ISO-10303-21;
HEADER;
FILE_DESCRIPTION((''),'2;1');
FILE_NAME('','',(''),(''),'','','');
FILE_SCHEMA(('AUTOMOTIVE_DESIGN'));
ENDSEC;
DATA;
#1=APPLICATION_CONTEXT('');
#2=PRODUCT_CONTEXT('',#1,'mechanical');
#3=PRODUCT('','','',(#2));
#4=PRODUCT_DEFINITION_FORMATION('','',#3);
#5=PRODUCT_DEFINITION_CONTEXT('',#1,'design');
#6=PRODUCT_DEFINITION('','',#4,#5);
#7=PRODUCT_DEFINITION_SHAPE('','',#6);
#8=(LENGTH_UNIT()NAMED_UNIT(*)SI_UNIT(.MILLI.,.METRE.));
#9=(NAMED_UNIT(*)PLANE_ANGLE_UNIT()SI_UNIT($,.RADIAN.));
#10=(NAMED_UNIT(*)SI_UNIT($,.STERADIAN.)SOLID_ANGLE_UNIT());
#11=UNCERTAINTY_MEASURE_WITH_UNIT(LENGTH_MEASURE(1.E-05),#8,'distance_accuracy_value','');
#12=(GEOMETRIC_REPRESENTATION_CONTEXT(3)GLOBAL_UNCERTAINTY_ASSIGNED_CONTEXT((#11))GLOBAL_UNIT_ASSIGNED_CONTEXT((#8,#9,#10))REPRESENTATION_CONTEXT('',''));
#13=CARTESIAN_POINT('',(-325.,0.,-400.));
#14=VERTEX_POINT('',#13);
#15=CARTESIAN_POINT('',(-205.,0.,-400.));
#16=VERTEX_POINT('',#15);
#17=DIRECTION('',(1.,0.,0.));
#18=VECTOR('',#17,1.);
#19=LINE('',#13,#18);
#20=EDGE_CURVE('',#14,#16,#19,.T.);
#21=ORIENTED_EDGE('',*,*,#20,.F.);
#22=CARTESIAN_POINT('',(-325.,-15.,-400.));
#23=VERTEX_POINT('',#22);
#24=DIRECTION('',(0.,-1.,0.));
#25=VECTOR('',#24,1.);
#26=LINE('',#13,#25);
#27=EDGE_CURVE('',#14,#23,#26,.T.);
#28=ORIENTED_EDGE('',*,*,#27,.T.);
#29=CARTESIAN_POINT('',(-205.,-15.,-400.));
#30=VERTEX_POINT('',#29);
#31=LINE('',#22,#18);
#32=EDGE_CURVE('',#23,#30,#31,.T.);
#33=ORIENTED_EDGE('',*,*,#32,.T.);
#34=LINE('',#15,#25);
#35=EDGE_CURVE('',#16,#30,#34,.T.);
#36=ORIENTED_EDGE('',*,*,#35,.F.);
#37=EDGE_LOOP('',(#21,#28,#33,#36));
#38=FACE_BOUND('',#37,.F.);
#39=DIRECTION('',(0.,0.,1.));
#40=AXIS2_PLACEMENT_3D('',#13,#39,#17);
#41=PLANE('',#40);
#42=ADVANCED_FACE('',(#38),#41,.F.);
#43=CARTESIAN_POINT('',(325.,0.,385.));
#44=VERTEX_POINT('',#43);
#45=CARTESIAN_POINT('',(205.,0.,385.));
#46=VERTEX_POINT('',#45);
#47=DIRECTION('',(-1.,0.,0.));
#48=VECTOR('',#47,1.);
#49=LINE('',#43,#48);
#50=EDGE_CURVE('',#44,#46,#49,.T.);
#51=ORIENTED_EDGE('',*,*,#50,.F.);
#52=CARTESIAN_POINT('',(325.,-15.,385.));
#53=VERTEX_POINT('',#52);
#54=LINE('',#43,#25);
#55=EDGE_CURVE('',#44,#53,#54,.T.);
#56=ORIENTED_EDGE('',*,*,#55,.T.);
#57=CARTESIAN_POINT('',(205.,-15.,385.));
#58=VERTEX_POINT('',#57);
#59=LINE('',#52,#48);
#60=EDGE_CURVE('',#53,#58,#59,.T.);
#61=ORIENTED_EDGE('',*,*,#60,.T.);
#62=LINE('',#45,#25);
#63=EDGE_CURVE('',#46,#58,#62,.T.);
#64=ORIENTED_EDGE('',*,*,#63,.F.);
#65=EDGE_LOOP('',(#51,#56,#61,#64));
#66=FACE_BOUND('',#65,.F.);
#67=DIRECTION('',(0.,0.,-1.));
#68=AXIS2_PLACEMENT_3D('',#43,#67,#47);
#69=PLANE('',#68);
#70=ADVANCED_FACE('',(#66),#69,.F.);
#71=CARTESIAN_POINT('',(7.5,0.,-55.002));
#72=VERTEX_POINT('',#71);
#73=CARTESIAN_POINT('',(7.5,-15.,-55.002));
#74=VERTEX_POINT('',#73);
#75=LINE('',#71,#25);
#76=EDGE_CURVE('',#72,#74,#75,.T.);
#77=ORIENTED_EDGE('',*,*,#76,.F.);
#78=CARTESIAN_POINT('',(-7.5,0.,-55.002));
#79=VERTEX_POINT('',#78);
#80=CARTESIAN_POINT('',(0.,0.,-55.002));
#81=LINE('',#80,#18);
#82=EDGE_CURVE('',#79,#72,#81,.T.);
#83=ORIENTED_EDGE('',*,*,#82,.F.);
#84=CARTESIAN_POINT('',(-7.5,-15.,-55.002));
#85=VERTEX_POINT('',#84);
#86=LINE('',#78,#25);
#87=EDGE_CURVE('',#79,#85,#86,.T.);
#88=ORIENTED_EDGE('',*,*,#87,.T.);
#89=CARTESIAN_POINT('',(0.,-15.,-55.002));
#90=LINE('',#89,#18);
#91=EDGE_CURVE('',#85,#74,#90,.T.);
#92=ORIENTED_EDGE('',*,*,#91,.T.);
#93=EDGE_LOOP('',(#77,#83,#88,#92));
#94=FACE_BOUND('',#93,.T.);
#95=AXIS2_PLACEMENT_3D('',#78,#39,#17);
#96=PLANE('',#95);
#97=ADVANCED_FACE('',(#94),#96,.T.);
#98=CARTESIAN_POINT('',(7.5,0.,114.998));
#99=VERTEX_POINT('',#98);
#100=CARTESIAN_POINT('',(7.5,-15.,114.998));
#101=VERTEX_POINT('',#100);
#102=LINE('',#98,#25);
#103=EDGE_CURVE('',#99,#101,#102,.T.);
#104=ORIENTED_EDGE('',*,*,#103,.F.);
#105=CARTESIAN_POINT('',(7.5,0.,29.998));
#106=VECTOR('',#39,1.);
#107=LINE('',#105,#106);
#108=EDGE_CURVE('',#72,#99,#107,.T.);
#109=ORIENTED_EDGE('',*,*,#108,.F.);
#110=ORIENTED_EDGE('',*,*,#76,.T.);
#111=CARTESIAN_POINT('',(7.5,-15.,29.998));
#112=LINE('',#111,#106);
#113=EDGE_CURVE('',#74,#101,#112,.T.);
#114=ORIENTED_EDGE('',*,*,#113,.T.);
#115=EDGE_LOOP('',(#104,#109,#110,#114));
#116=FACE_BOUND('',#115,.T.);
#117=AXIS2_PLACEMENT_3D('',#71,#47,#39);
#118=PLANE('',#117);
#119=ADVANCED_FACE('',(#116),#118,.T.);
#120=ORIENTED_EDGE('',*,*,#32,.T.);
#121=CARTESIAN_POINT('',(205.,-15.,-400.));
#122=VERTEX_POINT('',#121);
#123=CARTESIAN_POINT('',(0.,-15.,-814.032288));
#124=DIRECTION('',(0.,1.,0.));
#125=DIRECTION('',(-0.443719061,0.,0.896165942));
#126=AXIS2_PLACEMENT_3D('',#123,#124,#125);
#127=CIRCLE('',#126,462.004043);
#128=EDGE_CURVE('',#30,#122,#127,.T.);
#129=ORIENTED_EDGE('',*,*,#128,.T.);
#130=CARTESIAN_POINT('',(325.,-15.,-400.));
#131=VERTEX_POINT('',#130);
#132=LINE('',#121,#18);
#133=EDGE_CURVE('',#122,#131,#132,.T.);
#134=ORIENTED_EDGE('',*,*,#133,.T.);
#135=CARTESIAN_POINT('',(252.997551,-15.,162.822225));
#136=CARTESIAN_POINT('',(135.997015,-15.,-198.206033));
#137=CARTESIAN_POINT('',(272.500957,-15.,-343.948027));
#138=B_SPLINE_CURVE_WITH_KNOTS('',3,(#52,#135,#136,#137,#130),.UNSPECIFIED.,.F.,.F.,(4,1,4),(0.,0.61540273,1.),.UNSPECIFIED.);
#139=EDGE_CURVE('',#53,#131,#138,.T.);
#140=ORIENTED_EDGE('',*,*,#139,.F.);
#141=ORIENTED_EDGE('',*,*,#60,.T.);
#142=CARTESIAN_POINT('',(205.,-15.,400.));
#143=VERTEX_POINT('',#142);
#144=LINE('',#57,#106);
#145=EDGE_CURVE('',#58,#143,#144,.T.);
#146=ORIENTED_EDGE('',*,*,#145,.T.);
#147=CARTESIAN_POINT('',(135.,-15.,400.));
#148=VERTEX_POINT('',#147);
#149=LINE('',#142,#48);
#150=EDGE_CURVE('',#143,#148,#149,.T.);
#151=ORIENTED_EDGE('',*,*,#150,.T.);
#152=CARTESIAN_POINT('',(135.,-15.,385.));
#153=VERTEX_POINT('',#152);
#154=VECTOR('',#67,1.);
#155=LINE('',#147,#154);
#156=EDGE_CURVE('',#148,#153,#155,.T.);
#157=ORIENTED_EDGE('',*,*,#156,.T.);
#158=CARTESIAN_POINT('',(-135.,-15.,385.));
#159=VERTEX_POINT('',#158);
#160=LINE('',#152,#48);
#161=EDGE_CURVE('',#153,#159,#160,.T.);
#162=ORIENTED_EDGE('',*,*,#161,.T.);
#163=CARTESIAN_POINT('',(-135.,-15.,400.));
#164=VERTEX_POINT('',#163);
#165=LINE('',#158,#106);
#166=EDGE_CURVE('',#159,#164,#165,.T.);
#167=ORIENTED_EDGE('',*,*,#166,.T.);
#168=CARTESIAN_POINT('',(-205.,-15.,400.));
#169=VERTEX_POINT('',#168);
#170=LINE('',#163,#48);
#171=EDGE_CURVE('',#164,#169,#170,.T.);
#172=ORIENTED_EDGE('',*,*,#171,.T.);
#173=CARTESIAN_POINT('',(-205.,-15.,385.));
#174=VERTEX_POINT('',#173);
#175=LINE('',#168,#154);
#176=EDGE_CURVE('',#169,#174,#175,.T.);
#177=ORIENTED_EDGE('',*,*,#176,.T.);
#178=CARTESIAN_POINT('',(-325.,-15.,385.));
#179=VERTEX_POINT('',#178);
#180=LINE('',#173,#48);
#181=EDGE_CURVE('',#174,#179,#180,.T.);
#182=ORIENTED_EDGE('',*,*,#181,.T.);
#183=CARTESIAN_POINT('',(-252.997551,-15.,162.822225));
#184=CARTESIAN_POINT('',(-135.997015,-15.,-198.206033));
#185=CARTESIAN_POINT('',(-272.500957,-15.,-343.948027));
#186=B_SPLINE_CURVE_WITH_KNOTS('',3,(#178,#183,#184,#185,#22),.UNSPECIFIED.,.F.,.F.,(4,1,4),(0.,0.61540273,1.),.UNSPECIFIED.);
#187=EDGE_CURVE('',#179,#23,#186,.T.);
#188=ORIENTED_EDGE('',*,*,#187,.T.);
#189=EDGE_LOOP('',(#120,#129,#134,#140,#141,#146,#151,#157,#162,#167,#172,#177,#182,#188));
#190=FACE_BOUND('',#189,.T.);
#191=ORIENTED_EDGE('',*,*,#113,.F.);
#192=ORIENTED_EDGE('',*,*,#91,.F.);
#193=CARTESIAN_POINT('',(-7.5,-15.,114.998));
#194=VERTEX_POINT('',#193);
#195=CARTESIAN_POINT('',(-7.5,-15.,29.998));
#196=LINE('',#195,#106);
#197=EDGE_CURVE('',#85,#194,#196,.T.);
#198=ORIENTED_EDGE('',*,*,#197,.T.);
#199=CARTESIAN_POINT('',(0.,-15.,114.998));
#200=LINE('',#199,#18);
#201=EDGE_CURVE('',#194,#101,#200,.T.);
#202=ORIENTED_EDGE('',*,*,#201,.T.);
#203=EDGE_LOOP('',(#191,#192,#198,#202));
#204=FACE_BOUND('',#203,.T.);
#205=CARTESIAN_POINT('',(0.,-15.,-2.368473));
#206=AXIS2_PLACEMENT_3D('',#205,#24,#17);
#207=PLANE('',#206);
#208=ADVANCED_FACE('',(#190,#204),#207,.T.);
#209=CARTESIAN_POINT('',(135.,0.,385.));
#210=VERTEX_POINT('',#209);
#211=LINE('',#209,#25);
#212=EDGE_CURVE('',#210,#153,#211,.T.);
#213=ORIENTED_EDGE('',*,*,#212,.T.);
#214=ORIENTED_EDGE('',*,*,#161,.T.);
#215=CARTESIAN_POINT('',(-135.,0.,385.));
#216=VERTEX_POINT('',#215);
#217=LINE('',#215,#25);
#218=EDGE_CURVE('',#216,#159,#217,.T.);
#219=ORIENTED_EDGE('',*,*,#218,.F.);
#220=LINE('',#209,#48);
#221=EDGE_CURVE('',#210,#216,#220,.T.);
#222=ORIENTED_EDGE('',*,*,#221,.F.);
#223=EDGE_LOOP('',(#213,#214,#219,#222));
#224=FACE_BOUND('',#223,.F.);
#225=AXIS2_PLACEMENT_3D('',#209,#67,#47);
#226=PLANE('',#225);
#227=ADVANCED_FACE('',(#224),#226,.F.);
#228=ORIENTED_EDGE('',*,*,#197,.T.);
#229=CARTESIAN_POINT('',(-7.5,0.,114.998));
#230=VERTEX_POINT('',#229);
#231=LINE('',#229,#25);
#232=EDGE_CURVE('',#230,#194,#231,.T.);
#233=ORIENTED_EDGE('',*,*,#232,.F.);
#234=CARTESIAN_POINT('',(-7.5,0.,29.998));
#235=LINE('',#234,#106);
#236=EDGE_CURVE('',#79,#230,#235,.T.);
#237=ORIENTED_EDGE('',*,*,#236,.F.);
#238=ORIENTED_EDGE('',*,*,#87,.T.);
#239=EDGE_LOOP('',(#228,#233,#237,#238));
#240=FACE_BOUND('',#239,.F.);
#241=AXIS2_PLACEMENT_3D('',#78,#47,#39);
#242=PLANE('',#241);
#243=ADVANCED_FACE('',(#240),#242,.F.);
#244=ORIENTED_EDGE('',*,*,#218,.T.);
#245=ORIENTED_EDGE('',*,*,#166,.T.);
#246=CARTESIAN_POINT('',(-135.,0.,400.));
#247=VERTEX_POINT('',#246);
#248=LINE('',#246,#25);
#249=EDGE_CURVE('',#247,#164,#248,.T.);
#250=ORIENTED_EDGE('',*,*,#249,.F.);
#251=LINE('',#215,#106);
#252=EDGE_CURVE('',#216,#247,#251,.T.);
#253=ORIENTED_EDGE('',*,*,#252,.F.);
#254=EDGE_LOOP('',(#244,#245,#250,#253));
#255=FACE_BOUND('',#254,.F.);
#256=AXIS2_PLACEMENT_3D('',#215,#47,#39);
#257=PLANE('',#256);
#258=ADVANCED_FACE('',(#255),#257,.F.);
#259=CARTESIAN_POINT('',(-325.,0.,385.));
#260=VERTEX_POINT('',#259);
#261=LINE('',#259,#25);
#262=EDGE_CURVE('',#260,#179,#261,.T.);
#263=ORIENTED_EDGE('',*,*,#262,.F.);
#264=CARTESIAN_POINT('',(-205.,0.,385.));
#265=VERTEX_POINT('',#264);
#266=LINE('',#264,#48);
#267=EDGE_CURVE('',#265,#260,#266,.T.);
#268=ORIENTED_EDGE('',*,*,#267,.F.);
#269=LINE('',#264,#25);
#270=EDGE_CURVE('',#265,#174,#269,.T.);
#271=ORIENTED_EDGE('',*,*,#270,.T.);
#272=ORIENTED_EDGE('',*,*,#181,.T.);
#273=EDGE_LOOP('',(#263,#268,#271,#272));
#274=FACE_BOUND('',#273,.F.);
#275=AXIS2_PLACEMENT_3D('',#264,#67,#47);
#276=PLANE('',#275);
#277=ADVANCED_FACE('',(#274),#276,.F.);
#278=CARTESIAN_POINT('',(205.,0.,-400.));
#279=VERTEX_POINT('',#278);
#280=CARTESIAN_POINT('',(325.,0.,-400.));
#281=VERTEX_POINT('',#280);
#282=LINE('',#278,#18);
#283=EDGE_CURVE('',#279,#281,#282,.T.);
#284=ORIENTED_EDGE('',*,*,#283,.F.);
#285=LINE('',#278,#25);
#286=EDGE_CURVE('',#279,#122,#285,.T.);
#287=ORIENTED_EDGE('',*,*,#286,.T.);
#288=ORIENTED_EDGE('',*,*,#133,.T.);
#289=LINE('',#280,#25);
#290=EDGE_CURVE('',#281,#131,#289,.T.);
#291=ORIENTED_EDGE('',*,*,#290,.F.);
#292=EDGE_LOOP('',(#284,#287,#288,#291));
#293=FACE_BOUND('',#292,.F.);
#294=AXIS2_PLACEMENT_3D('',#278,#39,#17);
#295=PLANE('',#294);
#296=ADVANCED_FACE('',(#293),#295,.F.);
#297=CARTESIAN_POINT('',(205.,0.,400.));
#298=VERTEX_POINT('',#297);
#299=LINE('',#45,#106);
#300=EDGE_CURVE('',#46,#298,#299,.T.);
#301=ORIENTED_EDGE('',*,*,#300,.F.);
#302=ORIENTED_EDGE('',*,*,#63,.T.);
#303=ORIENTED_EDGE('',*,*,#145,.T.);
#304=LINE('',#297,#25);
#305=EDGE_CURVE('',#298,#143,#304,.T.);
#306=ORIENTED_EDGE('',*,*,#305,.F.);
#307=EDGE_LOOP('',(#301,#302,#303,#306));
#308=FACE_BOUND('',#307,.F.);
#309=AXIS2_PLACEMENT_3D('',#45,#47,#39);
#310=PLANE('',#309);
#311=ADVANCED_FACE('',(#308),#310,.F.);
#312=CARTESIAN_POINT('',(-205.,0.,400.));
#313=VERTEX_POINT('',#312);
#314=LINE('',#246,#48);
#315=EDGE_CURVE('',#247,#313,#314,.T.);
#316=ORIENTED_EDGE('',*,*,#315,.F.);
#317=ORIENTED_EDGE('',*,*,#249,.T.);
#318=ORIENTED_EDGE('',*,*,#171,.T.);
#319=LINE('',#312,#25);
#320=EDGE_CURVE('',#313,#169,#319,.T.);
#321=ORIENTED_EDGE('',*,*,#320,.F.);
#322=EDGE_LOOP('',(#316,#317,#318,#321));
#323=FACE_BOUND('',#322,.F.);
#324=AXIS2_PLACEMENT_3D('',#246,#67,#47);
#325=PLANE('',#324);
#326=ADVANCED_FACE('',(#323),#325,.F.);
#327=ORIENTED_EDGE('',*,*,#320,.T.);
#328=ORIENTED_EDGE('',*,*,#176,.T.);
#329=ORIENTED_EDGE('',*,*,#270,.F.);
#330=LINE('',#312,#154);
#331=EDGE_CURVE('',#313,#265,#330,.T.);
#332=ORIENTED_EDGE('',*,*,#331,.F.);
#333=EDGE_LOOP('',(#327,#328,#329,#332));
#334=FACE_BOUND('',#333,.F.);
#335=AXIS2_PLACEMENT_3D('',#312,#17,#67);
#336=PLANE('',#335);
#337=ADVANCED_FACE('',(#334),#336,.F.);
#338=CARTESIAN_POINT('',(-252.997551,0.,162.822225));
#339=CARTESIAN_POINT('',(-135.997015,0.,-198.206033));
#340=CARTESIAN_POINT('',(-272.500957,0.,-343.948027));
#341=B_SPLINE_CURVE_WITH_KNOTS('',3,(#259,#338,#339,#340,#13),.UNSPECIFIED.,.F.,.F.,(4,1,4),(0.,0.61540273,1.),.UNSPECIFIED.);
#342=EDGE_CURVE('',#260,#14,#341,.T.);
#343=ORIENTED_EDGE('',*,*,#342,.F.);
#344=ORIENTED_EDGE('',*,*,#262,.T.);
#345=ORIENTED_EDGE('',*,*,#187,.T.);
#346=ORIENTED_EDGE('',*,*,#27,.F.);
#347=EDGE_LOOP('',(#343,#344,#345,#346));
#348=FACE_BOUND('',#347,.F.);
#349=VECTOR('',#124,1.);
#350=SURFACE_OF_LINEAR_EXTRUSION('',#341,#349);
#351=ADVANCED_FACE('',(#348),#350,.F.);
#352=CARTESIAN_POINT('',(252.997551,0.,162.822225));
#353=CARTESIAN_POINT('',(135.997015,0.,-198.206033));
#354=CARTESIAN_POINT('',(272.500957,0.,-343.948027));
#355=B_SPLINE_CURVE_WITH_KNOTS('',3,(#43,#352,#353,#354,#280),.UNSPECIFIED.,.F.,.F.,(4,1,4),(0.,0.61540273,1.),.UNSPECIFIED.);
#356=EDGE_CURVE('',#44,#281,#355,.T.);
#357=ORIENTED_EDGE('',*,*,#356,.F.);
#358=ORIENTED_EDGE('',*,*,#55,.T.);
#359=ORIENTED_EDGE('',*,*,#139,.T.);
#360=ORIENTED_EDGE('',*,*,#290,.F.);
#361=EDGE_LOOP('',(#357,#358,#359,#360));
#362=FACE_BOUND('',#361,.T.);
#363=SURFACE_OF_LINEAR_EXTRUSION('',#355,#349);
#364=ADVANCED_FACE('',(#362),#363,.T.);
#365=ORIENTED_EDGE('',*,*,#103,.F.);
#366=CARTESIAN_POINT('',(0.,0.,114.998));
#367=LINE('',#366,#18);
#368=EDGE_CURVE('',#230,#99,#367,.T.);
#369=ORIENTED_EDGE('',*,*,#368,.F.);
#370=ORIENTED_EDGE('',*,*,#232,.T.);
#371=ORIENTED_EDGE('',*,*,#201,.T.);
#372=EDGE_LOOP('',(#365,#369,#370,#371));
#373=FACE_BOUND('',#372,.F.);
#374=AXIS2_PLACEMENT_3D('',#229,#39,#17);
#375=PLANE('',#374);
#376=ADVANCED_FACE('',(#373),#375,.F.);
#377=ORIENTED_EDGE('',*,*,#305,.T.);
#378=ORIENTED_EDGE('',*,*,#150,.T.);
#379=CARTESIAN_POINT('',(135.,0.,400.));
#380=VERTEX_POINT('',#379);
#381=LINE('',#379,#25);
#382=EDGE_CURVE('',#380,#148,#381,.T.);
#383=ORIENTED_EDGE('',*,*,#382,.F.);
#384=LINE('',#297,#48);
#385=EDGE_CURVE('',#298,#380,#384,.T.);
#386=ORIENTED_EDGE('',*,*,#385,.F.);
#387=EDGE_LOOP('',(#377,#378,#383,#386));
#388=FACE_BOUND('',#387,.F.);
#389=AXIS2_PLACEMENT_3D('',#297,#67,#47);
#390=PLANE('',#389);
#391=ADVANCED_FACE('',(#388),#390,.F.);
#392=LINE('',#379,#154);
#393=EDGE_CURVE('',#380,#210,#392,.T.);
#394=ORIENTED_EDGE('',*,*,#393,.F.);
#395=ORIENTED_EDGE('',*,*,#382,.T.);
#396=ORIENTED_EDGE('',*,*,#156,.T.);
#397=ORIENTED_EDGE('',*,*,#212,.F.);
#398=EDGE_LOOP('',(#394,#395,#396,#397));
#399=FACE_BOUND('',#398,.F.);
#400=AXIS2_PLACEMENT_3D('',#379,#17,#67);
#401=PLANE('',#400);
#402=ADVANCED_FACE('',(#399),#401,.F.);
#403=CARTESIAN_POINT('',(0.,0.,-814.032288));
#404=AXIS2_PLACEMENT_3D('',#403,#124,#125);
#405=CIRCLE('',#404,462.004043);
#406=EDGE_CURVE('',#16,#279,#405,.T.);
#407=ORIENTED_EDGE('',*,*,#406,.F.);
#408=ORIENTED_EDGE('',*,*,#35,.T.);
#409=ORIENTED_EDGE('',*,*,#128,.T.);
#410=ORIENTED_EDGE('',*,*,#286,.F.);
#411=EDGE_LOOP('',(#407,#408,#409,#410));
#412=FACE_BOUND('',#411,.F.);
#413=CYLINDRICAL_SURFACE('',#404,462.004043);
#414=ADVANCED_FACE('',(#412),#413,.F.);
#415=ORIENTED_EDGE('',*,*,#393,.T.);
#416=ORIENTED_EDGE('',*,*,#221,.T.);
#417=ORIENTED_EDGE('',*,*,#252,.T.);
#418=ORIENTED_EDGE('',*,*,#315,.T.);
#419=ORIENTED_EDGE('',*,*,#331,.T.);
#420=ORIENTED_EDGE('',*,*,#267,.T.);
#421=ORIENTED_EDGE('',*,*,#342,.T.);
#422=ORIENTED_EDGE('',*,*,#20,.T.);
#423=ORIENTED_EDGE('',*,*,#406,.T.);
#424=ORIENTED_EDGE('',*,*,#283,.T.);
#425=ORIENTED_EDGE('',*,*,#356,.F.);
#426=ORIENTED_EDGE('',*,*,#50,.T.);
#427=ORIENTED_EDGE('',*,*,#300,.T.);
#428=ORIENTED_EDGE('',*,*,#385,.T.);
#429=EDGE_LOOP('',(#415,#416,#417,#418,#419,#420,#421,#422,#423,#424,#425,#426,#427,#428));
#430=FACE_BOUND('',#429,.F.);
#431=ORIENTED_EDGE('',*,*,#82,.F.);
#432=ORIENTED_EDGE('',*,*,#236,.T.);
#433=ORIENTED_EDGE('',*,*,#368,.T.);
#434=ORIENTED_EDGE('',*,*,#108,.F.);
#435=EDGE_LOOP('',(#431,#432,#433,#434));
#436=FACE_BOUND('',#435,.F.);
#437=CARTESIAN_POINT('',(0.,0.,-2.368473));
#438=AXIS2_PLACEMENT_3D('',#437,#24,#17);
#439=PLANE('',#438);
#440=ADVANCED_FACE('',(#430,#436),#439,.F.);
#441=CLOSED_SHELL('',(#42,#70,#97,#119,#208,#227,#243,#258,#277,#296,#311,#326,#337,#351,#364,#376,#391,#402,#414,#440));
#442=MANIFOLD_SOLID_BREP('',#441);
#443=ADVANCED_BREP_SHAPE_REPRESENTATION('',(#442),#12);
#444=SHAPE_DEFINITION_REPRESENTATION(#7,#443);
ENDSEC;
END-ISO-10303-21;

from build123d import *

# Parameters (mm, degrees)
F0_W     = 15
F0_H     = 170
F1_DEPTH = 15


with BuildPart() as f1:
    # F0 (on Front) → F1 (new body)
    with BuildSketch(Plane.XZ):
        with BuildLine():
            Line((-135, 400), (-205, 400))
            Line((-205, 400), (-205, 385))
            Line((-205, 385), (-325, 385))
            add(Edge.make_bspline(
                [(-325, 385), (-252.9975507968, 162.8222248382), (-135.9970148871, -198.2060325168), (-272.5009566468, -343.9480268474), (-325, -400)],
                knots=[0, 0, 0, 0, 0.6154027299, 1, 1, 1, 1], degree=3))
            Line((-325, -400), (-205, -400))
            ThreePointArc((-205, -400), (0, -352.0282453036), (205, -400))
            Line((205, -400), (325, -400))
            add(Edge.make_bspline(
                [(325, 385), (252.9975507968, 162.8222248382), (135.9970148871, -198.2060325168), (272.5009566468, -343.9480268474), (325, -400)],
                knots=[0, 0, 0, 0, 0.6154027299, 1, 1, 1, 1], degree=3))
            Line((325, 385), (205, 385))
            Line((205, 385), (205, 400))
            Line((205, 400), (135, 400))
            Line((135, 400), (135, 385))
            Line((135, 385), (-135, 385))
            Line((-135, 385), (-135, 400))
        make_face()
        with Locations((0, 29.998)):
            Rectangle(F0_W, F0_H, mode=Mode.SUBTRACT)
    extrude(amount=F1_DEPTH)


solid = f1.part
